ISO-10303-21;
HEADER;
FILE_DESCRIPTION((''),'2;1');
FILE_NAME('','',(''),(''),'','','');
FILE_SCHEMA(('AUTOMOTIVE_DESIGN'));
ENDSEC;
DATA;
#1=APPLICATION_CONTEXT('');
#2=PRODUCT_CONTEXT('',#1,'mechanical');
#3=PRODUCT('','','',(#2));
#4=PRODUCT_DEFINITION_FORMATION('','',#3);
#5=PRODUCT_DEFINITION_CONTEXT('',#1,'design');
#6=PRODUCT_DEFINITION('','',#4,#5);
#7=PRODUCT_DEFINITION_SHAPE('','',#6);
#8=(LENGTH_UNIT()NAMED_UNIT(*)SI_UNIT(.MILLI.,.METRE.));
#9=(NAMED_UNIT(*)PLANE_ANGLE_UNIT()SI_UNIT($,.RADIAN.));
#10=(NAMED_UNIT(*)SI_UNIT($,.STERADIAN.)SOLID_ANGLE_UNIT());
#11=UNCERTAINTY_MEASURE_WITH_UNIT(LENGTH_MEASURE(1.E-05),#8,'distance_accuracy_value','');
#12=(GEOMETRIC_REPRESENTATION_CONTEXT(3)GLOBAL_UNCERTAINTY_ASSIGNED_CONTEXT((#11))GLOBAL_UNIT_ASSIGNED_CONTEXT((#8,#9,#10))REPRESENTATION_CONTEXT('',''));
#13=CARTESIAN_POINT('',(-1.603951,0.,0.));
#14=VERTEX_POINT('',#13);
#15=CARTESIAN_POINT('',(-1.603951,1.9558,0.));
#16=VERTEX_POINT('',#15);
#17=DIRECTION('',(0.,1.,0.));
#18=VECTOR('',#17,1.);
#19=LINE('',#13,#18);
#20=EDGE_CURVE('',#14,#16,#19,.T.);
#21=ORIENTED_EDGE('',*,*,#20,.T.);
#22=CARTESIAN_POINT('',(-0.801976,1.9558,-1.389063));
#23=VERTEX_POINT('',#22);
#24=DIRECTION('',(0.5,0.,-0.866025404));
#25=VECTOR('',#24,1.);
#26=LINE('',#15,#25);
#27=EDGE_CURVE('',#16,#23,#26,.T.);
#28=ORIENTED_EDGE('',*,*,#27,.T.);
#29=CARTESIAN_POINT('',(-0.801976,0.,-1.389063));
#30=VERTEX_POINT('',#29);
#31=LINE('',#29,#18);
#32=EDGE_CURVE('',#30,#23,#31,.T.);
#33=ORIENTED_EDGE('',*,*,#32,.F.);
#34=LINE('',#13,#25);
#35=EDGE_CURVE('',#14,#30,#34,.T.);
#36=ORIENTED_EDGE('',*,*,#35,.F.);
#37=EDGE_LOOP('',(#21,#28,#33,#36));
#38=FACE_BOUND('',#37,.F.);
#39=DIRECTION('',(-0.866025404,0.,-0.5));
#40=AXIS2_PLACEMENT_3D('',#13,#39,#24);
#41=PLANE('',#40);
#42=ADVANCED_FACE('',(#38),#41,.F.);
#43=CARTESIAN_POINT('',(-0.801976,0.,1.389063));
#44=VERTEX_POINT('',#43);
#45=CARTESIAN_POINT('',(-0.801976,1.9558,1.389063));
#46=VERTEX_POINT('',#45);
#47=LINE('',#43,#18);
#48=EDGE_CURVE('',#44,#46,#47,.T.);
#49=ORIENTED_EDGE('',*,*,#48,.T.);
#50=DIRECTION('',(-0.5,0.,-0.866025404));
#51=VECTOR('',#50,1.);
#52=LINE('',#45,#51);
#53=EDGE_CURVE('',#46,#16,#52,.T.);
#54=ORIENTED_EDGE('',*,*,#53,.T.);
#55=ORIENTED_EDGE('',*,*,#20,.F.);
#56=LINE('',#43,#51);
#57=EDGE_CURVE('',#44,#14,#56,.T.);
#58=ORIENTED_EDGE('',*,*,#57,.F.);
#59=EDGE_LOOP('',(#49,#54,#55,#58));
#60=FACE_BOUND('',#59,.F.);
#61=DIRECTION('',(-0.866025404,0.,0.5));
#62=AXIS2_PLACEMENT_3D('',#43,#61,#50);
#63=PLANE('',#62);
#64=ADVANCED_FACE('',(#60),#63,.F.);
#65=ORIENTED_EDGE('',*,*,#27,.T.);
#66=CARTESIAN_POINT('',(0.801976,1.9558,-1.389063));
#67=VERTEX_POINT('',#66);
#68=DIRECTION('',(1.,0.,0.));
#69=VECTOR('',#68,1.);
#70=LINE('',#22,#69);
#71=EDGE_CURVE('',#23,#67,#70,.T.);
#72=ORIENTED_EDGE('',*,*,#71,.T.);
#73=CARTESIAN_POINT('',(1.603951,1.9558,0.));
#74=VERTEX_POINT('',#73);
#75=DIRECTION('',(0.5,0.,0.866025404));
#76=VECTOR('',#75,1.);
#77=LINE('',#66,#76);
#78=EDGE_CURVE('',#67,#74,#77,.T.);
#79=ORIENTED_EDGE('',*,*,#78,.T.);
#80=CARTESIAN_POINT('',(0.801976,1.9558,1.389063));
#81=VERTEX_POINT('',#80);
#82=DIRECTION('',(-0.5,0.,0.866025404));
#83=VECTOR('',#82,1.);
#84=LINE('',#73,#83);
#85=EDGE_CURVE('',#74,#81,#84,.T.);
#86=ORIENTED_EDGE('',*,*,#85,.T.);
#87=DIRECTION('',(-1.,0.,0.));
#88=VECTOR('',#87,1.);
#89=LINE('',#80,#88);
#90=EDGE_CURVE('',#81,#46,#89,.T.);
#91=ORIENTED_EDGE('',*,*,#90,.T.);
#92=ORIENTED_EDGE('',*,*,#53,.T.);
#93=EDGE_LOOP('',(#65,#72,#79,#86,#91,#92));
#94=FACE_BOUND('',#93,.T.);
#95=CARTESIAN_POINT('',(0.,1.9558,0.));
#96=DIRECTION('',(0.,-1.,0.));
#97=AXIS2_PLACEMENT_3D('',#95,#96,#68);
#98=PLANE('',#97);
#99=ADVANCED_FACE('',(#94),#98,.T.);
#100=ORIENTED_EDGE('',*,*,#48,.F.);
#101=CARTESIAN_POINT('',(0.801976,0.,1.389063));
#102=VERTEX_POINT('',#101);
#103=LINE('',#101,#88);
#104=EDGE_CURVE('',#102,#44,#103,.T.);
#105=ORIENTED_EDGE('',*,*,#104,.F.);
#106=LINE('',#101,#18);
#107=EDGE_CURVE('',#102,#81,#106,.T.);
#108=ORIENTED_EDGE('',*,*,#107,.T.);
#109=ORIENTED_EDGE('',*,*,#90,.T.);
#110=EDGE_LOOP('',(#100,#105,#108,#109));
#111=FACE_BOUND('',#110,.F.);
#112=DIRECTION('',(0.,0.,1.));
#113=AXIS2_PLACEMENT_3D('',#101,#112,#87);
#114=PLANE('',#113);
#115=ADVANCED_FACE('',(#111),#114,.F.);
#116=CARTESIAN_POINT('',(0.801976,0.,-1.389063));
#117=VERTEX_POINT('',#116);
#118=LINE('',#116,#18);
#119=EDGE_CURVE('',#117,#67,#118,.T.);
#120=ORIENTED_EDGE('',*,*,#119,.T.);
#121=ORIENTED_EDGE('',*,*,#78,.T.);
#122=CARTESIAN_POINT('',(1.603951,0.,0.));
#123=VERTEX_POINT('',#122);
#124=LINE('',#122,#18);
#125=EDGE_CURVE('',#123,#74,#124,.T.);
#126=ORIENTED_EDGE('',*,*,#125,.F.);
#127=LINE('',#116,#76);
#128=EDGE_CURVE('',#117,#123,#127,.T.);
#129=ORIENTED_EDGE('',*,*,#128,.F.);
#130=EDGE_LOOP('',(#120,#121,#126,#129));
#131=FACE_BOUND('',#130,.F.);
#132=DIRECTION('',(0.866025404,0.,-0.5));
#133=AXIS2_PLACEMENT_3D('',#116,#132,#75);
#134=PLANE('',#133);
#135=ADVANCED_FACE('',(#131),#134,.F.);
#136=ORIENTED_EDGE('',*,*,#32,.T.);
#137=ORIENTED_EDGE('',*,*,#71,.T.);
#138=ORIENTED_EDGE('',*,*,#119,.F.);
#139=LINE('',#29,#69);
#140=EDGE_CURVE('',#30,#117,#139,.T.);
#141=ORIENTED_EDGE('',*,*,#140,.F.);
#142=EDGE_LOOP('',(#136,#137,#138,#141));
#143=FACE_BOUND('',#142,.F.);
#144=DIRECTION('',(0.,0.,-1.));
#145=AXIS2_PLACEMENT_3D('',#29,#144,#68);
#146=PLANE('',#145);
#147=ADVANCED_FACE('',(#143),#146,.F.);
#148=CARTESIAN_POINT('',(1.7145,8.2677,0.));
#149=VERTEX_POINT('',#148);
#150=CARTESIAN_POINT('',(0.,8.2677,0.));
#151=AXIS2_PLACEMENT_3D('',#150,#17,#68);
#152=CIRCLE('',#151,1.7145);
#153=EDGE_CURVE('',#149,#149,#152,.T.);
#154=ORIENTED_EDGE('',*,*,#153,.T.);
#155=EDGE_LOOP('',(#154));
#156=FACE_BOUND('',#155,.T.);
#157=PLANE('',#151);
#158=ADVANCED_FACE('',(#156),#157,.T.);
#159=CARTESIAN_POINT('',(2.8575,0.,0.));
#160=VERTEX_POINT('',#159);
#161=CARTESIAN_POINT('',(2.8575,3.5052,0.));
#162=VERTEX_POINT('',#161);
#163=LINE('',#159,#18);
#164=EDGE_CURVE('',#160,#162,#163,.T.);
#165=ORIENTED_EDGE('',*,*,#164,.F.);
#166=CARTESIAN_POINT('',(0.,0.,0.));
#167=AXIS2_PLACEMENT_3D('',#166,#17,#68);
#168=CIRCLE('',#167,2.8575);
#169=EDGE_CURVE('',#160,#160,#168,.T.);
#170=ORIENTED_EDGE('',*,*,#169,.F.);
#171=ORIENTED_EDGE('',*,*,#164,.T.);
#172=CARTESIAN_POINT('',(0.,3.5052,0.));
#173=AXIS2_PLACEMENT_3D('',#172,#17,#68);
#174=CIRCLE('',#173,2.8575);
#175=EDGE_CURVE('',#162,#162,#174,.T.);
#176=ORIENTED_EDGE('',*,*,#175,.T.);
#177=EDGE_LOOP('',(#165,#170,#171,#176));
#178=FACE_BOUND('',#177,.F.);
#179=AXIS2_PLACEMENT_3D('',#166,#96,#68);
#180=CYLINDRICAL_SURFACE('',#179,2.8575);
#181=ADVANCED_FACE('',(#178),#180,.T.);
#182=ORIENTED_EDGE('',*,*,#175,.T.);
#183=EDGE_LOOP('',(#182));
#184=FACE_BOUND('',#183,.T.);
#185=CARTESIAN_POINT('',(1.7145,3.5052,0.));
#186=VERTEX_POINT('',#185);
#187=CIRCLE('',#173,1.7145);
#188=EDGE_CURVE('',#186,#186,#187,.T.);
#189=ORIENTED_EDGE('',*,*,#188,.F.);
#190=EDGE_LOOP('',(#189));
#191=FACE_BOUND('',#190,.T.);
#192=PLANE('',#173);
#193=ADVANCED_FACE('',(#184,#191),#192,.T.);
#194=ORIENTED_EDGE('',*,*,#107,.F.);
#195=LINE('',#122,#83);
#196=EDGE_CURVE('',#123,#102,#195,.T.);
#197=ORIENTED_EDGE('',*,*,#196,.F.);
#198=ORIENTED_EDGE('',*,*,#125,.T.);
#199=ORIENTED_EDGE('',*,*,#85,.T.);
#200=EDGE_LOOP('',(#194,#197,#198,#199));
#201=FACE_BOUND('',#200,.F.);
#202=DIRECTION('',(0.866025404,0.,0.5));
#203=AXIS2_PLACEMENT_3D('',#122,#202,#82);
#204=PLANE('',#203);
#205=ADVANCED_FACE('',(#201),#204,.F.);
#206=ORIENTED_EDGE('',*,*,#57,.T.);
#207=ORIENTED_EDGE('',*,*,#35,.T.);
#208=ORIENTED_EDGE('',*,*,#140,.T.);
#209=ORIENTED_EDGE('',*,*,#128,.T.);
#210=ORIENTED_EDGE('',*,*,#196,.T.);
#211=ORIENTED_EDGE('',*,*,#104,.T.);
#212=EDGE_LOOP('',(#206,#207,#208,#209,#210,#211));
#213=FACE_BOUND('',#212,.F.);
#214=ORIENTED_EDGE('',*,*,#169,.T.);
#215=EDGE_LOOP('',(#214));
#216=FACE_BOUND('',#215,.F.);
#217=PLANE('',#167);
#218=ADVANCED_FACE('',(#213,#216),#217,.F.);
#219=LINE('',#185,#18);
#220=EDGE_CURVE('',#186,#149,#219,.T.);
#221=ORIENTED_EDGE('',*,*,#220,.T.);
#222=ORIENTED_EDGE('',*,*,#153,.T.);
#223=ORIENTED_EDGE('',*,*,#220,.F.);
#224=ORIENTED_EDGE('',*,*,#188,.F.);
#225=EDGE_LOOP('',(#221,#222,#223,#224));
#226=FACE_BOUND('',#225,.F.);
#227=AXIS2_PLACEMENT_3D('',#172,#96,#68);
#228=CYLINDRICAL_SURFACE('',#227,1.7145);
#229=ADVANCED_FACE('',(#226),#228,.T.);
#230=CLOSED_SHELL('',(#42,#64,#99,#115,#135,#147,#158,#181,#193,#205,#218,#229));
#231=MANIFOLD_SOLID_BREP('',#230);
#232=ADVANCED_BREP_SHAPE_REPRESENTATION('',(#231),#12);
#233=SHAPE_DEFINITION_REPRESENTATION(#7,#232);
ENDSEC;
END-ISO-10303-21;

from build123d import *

# Parameters (mm, degrees)
SKETCH1_R           = 2.8575
BOSS_EXTRUDE1_DEPTH = 3.5052
CUT_EXTRUDE1_DEPTH  = 1.9558
SKETCH3_R           = 1.7145
BOSS_EXTRUDE2_DEPTH = 4.7625


with BuildPart() as part:
    # Sketch1 → Boss-Extrude1 (new body)
    with BuildSketch(Plane(origin=(0, 0, 0), x_dir=(1, 0, 0), z_dir=(0, 1, 0))):
        Circle(SKETCH1_R)
    extrude(amount=BOSS_EXTRUDE1_DEPTH)

    # Sketch2 → Cut-Extrude1 (cut)
    with BuildSketch(Plane.XZ):
        Polygon((1.603951217, 0), (0.801975608, 1.3890625), (-0.801975608, 1.3890625), (-1.603951217, 0), (-0.801975608, -1.3890625), (0.801975608, -1.3890625), align=None)
    extrude(amount=-CUT_EXTRUDE1_DEPTH, mode=Mode.SUBTRACT)

    # Sketch3 → Boss-Extrude2 (add)
    with BuildSketch(Plane(origin=(0, 3.5052, 0), x_dir=(1, 0, 0), z_dir=(0, 1, 0))):
        Circle(SKETCH3_R)
    extrude(amount=BOSS_EXTRUDE2_DEPTH)


solid = part.part
